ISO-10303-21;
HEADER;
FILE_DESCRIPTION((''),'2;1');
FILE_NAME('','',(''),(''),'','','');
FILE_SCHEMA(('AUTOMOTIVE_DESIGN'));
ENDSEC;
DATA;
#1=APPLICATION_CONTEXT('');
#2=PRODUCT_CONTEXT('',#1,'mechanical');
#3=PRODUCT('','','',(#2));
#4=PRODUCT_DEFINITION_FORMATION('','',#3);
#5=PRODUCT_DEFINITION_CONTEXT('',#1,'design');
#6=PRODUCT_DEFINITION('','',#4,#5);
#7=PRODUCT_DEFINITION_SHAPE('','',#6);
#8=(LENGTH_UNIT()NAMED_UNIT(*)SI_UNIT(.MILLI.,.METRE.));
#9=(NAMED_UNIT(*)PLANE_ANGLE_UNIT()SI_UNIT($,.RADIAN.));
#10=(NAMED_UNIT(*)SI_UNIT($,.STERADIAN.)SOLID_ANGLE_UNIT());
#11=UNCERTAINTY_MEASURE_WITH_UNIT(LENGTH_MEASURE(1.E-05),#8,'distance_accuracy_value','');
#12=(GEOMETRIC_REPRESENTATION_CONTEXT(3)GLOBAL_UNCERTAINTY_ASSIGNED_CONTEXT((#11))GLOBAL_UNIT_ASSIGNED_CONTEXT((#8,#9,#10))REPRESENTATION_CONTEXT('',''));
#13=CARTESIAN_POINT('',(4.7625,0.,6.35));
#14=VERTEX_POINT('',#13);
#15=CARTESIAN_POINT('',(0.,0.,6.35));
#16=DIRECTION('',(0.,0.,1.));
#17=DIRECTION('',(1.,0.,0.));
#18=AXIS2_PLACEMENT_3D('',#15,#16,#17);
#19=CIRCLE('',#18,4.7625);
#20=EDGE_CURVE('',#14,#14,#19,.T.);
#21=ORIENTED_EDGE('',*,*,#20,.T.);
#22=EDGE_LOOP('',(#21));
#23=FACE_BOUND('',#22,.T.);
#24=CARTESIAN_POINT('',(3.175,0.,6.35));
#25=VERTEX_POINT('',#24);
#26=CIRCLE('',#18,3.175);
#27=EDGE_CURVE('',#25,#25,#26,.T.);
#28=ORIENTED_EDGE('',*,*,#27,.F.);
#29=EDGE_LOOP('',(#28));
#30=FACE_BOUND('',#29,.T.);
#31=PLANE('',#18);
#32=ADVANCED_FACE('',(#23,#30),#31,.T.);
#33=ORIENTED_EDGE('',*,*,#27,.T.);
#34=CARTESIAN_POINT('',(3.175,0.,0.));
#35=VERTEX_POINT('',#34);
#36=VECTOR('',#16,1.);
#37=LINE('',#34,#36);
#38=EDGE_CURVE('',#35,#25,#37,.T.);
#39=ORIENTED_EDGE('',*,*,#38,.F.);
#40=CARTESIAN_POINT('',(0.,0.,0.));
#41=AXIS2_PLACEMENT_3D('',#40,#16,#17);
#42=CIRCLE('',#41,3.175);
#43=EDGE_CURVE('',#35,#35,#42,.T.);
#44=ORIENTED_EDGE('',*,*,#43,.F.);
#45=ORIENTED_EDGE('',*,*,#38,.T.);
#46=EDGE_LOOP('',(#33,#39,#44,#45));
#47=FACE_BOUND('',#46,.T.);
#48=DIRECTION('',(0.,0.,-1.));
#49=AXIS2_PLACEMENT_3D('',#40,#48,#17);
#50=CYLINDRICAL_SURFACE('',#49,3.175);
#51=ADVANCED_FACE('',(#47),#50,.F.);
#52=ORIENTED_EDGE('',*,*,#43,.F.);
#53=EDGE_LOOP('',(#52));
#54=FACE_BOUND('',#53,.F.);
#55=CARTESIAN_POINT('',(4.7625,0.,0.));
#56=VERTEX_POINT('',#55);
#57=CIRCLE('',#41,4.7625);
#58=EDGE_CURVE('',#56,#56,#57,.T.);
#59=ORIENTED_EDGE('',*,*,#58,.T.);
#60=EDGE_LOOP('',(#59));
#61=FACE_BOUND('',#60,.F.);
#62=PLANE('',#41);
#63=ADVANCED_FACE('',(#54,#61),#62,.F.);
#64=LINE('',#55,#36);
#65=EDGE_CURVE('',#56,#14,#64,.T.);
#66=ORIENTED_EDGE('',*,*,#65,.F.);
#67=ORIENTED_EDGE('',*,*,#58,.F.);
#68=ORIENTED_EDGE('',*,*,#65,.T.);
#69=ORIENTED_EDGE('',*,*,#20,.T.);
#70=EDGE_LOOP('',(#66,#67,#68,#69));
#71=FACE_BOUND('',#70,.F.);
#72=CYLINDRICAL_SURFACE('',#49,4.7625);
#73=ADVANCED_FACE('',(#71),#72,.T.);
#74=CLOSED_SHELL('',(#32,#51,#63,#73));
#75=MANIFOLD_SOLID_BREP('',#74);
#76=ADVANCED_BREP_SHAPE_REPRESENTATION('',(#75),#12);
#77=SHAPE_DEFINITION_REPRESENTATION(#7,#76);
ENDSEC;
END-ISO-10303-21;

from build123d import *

# Parameters (mm, degrees)
SKETCH1_R           = 4.7625
SKETCH1_R_2         = 3.175
BOSS_EXTRUDE1_DEPTH = 6.35


with BuildPart() as part:
    # Sketch1 → Boss-Extrude1 (new body)
    with BuildSketch(Plane.XY):
        Circle(SKETCH1_R)
        Circle(SKETCH1_R_2, mode=Mode.SUBTRACT)
    extrude(amount=BOSS_EXTRUDE1_DEPTH)


solid = part.part
